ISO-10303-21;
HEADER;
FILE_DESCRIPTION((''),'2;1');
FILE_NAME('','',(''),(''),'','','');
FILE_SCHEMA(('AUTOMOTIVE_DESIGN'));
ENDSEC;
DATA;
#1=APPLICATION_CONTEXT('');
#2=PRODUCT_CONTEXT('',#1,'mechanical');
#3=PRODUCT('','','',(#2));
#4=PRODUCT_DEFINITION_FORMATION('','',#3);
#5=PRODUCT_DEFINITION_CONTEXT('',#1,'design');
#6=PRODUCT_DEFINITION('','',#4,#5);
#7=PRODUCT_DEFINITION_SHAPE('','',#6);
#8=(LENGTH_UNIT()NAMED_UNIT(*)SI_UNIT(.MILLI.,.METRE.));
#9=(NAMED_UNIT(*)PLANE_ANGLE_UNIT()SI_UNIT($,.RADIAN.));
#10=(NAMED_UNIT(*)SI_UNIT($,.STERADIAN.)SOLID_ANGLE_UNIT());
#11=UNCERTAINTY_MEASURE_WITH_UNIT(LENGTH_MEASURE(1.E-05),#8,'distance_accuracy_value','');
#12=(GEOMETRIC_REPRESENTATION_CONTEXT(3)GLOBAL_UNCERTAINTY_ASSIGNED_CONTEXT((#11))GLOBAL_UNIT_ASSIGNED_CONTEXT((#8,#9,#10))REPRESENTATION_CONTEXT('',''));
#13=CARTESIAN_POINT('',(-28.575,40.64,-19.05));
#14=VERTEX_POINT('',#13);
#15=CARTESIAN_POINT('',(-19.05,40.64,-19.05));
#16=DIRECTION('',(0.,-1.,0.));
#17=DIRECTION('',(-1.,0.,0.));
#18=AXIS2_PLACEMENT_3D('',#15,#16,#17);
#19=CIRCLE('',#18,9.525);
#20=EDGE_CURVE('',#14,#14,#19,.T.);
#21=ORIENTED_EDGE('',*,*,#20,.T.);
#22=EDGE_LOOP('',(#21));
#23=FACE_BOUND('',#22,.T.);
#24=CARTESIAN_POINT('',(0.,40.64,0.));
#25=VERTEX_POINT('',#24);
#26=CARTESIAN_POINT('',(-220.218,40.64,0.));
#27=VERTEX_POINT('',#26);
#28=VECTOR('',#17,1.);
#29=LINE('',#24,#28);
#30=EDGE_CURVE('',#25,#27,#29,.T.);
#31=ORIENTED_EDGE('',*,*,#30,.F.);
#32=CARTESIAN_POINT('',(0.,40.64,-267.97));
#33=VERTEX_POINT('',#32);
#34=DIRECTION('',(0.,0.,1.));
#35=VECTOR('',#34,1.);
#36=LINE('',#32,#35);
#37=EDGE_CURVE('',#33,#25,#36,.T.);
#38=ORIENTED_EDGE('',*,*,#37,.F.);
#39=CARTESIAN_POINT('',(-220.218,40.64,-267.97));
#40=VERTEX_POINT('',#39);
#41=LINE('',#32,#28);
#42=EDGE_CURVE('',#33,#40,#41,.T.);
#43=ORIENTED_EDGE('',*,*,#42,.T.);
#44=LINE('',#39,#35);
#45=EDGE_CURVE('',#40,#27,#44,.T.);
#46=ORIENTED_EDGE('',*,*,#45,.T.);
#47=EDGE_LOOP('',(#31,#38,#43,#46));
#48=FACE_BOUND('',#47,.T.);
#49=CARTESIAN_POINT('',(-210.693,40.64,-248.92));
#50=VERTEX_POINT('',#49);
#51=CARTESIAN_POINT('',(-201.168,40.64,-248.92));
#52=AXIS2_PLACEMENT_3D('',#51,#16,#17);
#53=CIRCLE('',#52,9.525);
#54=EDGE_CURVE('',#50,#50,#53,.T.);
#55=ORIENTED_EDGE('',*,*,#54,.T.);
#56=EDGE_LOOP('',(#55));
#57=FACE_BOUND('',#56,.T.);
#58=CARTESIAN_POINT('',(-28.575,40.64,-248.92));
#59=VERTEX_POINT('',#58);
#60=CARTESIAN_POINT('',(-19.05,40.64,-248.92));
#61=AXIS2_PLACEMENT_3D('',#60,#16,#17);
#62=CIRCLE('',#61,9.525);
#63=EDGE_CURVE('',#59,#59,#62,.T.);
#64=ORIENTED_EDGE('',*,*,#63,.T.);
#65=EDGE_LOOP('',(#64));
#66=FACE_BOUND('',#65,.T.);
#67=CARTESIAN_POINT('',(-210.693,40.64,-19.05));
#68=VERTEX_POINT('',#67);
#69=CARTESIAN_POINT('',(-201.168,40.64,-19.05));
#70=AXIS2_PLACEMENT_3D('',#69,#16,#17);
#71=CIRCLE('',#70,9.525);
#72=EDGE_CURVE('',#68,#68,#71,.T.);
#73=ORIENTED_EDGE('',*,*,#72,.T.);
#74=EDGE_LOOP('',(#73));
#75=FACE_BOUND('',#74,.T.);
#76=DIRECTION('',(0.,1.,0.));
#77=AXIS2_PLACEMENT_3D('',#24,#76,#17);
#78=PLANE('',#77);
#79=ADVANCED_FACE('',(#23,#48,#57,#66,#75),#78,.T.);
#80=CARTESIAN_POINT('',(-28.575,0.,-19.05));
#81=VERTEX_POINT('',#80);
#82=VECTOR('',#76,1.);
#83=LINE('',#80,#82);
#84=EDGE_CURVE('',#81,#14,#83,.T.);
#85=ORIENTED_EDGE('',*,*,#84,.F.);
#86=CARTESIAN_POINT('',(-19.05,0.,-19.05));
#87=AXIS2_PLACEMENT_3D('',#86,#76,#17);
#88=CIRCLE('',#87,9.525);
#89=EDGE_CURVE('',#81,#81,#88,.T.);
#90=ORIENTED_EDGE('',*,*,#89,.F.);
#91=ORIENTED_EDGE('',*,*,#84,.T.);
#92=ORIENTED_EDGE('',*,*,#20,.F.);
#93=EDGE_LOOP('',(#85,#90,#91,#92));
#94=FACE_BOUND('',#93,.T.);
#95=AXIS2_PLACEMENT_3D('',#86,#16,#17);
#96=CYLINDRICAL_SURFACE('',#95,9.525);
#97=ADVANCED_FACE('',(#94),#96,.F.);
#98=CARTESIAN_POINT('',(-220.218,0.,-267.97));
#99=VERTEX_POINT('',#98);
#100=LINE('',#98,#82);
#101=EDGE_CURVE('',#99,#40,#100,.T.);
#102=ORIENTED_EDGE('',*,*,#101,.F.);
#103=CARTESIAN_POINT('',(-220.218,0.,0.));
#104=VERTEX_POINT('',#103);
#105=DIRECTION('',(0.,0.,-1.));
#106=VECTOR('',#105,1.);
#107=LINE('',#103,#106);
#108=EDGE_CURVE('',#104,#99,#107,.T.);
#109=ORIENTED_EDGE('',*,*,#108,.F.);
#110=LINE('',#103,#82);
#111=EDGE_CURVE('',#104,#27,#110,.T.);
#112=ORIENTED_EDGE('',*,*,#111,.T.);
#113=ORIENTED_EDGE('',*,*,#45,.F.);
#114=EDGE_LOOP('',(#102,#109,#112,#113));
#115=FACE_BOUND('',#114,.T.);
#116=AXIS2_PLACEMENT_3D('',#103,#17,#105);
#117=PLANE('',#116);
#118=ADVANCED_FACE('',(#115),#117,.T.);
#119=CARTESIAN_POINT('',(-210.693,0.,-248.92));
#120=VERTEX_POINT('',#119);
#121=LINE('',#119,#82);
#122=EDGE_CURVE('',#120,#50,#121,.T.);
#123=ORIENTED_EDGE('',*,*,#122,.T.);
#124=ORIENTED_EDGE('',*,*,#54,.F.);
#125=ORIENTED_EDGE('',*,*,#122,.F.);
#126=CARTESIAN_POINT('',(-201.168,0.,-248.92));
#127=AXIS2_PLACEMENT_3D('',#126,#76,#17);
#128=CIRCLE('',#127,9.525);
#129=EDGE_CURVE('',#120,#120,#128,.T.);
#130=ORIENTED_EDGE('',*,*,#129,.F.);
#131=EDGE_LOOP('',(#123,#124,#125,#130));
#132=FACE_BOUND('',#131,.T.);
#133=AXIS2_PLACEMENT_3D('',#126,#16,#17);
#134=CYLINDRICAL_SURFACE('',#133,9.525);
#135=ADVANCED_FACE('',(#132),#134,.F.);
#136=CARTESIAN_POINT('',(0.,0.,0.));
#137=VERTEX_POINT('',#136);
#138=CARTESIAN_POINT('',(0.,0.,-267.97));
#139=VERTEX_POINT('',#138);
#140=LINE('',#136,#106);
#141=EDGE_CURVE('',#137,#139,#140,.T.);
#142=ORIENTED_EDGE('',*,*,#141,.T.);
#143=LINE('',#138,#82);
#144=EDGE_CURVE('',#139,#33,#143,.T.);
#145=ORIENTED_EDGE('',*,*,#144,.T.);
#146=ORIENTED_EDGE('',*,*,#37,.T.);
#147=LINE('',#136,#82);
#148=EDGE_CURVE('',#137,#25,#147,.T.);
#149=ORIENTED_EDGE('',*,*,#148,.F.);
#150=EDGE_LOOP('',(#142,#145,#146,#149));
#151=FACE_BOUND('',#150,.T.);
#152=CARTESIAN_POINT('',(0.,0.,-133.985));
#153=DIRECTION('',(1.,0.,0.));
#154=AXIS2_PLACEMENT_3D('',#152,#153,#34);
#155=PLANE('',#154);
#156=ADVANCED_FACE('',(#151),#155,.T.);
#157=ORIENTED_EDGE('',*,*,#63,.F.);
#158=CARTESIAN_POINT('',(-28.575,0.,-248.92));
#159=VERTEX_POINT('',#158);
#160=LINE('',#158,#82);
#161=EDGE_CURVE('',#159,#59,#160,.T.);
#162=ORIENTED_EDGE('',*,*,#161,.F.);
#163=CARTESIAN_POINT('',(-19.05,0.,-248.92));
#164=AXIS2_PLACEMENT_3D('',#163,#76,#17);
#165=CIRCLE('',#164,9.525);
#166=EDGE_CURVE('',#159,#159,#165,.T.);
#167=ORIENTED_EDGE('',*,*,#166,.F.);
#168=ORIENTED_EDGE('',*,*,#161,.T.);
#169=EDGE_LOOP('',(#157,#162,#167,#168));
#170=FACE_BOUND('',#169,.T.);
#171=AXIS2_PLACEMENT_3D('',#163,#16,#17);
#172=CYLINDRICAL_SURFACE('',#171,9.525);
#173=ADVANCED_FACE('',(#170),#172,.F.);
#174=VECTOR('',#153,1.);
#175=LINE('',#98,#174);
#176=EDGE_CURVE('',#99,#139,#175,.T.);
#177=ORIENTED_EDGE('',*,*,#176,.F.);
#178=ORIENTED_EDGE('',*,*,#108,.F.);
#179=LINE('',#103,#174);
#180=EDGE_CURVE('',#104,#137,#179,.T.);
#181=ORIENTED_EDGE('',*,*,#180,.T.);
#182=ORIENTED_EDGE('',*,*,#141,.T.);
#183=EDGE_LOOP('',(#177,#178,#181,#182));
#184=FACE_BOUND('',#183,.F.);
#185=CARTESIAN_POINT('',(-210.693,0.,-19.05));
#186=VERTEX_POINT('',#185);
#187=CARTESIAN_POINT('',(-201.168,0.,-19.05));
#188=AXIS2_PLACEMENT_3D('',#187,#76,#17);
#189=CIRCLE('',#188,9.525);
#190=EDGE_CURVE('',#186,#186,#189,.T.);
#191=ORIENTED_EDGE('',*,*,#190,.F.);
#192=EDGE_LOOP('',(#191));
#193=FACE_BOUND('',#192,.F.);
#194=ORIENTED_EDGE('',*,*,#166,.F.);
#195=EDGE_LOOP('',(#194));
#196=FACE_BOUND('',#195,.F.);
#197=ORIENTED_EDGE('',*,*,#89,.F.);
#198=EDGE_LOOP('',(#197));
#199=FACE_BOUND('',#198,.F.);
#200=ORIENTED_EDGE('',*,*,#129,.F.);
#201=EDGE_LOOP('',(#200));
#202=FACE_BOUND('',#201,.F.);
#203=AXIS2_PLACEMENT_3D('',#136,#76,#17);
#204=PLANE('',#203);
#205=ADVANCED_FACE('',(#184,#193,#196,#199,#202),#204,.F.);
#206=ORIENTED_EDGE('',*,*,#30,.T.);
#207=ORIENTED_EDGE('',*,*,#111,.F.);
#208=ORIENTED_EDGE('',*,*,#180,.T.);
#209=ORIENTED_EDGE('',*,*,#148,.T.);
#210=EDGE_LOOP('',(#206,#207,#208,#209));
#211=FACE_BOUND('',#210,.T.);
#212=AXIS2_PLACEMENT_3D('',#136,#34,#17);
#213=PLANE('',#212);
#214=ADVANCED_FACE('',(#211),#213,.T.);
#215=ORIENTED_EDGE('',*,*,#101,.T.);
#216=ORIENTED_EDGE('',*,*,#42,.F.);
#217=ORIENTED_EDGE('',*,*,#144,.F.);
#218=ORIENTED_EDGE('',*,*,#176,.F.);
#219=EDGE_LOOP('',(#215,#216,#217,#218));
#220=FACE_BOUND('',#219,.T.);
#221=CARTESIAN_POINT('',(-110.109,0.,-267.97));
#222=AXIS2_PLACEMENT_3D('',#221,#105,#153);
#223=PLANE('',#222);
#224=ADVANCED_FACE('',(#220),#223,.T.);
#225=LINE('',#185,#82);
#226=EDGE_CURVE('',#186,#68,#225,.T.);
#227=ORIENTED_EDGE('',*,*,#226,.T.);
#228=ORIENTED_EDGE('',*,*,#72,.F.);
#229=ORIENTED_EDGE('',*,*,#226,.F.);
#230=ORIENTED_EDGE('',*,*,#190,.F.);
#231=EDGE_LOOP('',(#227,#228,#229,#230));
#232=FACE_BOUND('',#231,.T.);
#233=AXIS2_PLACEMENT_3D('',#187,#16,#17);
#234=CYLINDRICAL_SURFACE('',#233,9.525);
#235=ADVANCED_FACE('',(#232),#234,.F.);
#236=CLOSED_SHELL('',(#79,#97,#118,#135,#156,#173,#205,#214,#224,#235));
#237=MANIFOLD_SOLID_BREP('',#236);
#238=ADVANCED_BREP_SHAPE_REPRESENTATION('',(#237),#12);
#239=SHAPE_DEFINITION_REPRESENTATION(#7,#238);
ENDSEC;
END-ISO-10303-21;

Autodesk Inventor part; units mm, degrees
ref_plane "YZ Plane" through (0, 0, 0) normal (1, 0, 0) x (0, 1, 0)
ref_plane "XZ Plane" through (0, 0, 0) normal (0, 1, 0) x (-1, 0, 0)
ref_plane "XY Plane" through (0, 0, 0) normal (0, 0, 1) x (1, 0, 0)
sketch "Sketch1" plane through (0, 0, 0) normal (0, 1, 0) x (-1, 0, 0)
  line L0 (0, 0) -> (220.218, 0)
  line L1 (220.218, 0) -> (220.218, -267.97)
  line L2 (220.218, -267.97) -> (0, -267.97)
  line L3 (0, -267.97) -> (0, 0)
  circle A0 centre (110.109, -133.985) radius 57.15
  circle A1 centre (110.109, -133.985) radius 50.8
  line L4 (220.218, 0) -> (220.218, -25.4)
  line L5 (220.218, -133.985) -> (0, -133.985)
  line L6 (110.109, 0) -> (110.109, -267.97)
  line L7 (0, 0) -> (220.218, -267.97)
  line L8 (220.218, 0) -> (0, -267.97)
  line L9 (189.915, -36.8739) -> (146.3942, -89.8318)
  line L10 (220.218, -133.985) -> (167.259, -133.985)
  circle A2 centre (201.168, -248.92) radius 9.525
  circle A3 centre (201.168, -19.05) radius 9.525
  circle A4 centre (19.05, -248.92) radius 9.525
  circle A5 centre (19.05, -19.05) radius 9.525
  dimension "d0" = 220.218
  dimension "d1" = 267.97
  dimension "d11" = 114.3
  dimension "d12" = 101.6
extrude "Extrusion3" add sketch "Sketch1" along normal blind 40.64
extrude "Extrusion8" cut sketch "Sketch1" along normal blind 87.3125 contours A5 L7 | L7 A5 | A3 L8 | L8 A3 | A4 L8 | L8 A4 | A2 L7 | L7 A2
properties part number "Wash_Base_Top"
